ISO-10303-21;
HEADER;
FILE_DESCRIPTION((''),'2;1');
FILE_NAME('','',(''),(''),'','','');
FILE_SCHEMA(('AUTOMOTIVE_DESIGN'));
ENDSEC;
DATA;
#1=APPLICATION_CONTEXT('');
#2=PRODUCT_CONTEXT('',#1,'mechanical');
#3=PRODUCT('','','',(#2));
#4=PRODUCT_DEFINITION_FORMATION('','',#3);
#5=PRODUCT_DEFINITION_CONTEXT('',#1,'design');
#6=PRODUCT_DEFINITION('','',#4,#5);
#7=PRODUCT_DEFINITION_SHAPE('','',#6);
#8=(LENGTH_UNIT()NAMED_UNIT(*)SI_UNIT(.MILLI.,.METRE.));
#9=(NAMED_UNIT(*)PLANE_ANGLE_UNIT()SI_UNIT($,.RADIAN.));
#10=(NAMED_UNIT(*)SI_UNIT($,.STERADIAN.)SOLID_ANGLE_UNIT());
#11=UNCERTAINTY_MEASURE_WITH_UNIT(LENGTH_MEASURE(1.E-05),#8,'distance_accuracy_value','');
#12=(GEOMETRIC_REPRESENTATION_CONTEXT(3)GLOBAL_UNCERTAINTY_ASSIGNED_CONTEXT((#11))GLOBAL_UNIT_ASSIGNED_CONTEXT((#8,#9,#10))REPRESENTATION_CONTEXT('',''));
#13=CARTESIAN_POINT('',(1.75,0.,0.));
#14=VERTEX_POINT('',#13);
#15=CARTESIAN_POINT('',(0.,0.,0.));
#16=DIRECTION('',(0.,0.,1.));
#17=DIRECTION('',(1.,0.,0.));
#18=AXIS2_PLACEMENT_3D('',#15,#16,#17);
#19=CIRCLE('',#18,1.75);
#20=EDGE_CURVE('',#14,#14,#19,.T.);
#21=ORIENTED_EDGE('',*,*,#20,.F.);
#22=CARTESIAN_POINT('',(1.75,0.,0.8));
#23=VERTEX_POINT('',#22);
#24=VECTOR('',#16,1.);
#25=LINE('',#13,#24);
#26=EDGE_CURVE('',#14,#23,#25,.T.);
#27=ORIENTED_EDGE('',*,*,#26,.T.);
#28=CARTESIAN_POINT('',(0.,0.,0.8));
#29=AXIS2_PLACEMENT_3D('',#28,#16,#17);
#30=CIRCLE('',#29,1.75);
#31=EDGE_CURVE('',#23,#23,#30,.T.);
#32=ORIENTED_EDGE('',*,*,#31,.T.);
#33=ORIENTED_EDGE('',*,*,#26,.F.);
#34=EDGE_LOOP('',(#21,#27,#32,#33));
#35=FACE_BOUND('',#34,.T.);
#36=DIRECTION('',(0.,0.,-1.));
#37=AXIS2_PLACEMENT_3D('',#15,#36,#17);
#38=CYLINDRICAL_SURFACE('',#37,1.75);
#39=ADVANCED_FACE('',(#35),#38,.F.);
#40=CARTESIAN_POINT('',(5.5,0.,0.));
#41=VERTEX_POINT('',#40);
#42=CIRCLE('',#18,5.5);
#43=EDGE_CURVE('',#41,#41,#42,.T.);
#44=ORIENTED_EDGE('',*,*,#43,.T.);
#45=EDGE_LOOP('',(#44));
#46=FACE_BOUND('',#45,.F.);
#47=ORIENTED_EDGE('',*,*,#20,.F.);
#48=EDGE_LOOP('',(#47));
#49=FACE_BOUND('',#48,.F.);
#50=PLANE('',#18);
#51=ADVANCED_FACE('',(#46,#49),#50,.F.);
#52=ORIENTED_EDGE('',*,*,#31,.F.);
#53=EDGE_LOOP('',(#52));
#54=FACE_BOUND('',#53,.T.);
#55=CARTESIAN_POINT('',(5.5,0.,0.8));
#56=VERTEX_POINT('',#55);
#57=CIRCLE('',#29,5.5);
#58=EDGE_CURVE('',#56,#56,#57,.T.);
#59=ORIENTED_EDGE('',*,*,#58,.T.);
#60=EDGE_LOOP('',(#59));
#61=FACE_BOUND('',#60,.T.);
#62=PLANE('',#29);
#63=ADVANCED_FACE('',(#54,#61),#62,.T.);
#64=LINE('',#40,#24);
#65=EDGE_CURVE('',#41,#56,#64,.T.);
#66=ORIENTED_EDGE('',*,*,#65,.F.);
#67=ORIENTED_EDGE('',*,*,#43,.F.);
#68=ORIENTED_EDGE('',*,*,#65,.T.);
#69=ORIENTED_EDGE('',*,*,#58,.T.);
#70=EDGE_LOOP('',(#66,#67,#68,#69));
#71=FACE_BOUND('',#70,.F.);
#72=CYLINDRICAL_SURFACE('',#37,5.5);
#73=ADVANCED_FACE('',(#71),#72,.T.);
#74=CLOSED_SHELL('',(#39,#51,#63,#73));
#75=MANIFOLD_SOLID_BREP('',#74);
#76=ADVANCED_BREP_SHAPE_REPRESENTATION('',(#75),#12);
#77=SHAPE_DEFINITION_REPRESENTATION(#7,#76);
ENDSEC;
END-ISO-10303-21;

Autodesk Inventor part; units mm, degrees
ref_plane "YZ Plane" through (0, 0, 0) normal (1, 0, 0) x (0, 1, 0)
ref_plane "XZ Plane" through (0, 0, 0) normal (0, 1, 0) x (-1, 0, 0)
ref_plane "XY Plane" through (0, 0, 0) normal (0, 0, 1) x (1, 0, 0)
sketch "スケッチ1" plane through (0, 0, 0) normal (0, 0, 1) x (1, 0, 0)
  circle A0 centre (0, 0) radius 5.5
  circle A1 centre (0, 0) radius 1.75
  dimension "d0" = 11
  dimension "d1" = 3.5
extrude "押し出し1" add sketch "スケッチ1" along normal blind 0.8
properties part number "足首_独立ピッチ_1_3" material "アセタール樹脂、黒"
